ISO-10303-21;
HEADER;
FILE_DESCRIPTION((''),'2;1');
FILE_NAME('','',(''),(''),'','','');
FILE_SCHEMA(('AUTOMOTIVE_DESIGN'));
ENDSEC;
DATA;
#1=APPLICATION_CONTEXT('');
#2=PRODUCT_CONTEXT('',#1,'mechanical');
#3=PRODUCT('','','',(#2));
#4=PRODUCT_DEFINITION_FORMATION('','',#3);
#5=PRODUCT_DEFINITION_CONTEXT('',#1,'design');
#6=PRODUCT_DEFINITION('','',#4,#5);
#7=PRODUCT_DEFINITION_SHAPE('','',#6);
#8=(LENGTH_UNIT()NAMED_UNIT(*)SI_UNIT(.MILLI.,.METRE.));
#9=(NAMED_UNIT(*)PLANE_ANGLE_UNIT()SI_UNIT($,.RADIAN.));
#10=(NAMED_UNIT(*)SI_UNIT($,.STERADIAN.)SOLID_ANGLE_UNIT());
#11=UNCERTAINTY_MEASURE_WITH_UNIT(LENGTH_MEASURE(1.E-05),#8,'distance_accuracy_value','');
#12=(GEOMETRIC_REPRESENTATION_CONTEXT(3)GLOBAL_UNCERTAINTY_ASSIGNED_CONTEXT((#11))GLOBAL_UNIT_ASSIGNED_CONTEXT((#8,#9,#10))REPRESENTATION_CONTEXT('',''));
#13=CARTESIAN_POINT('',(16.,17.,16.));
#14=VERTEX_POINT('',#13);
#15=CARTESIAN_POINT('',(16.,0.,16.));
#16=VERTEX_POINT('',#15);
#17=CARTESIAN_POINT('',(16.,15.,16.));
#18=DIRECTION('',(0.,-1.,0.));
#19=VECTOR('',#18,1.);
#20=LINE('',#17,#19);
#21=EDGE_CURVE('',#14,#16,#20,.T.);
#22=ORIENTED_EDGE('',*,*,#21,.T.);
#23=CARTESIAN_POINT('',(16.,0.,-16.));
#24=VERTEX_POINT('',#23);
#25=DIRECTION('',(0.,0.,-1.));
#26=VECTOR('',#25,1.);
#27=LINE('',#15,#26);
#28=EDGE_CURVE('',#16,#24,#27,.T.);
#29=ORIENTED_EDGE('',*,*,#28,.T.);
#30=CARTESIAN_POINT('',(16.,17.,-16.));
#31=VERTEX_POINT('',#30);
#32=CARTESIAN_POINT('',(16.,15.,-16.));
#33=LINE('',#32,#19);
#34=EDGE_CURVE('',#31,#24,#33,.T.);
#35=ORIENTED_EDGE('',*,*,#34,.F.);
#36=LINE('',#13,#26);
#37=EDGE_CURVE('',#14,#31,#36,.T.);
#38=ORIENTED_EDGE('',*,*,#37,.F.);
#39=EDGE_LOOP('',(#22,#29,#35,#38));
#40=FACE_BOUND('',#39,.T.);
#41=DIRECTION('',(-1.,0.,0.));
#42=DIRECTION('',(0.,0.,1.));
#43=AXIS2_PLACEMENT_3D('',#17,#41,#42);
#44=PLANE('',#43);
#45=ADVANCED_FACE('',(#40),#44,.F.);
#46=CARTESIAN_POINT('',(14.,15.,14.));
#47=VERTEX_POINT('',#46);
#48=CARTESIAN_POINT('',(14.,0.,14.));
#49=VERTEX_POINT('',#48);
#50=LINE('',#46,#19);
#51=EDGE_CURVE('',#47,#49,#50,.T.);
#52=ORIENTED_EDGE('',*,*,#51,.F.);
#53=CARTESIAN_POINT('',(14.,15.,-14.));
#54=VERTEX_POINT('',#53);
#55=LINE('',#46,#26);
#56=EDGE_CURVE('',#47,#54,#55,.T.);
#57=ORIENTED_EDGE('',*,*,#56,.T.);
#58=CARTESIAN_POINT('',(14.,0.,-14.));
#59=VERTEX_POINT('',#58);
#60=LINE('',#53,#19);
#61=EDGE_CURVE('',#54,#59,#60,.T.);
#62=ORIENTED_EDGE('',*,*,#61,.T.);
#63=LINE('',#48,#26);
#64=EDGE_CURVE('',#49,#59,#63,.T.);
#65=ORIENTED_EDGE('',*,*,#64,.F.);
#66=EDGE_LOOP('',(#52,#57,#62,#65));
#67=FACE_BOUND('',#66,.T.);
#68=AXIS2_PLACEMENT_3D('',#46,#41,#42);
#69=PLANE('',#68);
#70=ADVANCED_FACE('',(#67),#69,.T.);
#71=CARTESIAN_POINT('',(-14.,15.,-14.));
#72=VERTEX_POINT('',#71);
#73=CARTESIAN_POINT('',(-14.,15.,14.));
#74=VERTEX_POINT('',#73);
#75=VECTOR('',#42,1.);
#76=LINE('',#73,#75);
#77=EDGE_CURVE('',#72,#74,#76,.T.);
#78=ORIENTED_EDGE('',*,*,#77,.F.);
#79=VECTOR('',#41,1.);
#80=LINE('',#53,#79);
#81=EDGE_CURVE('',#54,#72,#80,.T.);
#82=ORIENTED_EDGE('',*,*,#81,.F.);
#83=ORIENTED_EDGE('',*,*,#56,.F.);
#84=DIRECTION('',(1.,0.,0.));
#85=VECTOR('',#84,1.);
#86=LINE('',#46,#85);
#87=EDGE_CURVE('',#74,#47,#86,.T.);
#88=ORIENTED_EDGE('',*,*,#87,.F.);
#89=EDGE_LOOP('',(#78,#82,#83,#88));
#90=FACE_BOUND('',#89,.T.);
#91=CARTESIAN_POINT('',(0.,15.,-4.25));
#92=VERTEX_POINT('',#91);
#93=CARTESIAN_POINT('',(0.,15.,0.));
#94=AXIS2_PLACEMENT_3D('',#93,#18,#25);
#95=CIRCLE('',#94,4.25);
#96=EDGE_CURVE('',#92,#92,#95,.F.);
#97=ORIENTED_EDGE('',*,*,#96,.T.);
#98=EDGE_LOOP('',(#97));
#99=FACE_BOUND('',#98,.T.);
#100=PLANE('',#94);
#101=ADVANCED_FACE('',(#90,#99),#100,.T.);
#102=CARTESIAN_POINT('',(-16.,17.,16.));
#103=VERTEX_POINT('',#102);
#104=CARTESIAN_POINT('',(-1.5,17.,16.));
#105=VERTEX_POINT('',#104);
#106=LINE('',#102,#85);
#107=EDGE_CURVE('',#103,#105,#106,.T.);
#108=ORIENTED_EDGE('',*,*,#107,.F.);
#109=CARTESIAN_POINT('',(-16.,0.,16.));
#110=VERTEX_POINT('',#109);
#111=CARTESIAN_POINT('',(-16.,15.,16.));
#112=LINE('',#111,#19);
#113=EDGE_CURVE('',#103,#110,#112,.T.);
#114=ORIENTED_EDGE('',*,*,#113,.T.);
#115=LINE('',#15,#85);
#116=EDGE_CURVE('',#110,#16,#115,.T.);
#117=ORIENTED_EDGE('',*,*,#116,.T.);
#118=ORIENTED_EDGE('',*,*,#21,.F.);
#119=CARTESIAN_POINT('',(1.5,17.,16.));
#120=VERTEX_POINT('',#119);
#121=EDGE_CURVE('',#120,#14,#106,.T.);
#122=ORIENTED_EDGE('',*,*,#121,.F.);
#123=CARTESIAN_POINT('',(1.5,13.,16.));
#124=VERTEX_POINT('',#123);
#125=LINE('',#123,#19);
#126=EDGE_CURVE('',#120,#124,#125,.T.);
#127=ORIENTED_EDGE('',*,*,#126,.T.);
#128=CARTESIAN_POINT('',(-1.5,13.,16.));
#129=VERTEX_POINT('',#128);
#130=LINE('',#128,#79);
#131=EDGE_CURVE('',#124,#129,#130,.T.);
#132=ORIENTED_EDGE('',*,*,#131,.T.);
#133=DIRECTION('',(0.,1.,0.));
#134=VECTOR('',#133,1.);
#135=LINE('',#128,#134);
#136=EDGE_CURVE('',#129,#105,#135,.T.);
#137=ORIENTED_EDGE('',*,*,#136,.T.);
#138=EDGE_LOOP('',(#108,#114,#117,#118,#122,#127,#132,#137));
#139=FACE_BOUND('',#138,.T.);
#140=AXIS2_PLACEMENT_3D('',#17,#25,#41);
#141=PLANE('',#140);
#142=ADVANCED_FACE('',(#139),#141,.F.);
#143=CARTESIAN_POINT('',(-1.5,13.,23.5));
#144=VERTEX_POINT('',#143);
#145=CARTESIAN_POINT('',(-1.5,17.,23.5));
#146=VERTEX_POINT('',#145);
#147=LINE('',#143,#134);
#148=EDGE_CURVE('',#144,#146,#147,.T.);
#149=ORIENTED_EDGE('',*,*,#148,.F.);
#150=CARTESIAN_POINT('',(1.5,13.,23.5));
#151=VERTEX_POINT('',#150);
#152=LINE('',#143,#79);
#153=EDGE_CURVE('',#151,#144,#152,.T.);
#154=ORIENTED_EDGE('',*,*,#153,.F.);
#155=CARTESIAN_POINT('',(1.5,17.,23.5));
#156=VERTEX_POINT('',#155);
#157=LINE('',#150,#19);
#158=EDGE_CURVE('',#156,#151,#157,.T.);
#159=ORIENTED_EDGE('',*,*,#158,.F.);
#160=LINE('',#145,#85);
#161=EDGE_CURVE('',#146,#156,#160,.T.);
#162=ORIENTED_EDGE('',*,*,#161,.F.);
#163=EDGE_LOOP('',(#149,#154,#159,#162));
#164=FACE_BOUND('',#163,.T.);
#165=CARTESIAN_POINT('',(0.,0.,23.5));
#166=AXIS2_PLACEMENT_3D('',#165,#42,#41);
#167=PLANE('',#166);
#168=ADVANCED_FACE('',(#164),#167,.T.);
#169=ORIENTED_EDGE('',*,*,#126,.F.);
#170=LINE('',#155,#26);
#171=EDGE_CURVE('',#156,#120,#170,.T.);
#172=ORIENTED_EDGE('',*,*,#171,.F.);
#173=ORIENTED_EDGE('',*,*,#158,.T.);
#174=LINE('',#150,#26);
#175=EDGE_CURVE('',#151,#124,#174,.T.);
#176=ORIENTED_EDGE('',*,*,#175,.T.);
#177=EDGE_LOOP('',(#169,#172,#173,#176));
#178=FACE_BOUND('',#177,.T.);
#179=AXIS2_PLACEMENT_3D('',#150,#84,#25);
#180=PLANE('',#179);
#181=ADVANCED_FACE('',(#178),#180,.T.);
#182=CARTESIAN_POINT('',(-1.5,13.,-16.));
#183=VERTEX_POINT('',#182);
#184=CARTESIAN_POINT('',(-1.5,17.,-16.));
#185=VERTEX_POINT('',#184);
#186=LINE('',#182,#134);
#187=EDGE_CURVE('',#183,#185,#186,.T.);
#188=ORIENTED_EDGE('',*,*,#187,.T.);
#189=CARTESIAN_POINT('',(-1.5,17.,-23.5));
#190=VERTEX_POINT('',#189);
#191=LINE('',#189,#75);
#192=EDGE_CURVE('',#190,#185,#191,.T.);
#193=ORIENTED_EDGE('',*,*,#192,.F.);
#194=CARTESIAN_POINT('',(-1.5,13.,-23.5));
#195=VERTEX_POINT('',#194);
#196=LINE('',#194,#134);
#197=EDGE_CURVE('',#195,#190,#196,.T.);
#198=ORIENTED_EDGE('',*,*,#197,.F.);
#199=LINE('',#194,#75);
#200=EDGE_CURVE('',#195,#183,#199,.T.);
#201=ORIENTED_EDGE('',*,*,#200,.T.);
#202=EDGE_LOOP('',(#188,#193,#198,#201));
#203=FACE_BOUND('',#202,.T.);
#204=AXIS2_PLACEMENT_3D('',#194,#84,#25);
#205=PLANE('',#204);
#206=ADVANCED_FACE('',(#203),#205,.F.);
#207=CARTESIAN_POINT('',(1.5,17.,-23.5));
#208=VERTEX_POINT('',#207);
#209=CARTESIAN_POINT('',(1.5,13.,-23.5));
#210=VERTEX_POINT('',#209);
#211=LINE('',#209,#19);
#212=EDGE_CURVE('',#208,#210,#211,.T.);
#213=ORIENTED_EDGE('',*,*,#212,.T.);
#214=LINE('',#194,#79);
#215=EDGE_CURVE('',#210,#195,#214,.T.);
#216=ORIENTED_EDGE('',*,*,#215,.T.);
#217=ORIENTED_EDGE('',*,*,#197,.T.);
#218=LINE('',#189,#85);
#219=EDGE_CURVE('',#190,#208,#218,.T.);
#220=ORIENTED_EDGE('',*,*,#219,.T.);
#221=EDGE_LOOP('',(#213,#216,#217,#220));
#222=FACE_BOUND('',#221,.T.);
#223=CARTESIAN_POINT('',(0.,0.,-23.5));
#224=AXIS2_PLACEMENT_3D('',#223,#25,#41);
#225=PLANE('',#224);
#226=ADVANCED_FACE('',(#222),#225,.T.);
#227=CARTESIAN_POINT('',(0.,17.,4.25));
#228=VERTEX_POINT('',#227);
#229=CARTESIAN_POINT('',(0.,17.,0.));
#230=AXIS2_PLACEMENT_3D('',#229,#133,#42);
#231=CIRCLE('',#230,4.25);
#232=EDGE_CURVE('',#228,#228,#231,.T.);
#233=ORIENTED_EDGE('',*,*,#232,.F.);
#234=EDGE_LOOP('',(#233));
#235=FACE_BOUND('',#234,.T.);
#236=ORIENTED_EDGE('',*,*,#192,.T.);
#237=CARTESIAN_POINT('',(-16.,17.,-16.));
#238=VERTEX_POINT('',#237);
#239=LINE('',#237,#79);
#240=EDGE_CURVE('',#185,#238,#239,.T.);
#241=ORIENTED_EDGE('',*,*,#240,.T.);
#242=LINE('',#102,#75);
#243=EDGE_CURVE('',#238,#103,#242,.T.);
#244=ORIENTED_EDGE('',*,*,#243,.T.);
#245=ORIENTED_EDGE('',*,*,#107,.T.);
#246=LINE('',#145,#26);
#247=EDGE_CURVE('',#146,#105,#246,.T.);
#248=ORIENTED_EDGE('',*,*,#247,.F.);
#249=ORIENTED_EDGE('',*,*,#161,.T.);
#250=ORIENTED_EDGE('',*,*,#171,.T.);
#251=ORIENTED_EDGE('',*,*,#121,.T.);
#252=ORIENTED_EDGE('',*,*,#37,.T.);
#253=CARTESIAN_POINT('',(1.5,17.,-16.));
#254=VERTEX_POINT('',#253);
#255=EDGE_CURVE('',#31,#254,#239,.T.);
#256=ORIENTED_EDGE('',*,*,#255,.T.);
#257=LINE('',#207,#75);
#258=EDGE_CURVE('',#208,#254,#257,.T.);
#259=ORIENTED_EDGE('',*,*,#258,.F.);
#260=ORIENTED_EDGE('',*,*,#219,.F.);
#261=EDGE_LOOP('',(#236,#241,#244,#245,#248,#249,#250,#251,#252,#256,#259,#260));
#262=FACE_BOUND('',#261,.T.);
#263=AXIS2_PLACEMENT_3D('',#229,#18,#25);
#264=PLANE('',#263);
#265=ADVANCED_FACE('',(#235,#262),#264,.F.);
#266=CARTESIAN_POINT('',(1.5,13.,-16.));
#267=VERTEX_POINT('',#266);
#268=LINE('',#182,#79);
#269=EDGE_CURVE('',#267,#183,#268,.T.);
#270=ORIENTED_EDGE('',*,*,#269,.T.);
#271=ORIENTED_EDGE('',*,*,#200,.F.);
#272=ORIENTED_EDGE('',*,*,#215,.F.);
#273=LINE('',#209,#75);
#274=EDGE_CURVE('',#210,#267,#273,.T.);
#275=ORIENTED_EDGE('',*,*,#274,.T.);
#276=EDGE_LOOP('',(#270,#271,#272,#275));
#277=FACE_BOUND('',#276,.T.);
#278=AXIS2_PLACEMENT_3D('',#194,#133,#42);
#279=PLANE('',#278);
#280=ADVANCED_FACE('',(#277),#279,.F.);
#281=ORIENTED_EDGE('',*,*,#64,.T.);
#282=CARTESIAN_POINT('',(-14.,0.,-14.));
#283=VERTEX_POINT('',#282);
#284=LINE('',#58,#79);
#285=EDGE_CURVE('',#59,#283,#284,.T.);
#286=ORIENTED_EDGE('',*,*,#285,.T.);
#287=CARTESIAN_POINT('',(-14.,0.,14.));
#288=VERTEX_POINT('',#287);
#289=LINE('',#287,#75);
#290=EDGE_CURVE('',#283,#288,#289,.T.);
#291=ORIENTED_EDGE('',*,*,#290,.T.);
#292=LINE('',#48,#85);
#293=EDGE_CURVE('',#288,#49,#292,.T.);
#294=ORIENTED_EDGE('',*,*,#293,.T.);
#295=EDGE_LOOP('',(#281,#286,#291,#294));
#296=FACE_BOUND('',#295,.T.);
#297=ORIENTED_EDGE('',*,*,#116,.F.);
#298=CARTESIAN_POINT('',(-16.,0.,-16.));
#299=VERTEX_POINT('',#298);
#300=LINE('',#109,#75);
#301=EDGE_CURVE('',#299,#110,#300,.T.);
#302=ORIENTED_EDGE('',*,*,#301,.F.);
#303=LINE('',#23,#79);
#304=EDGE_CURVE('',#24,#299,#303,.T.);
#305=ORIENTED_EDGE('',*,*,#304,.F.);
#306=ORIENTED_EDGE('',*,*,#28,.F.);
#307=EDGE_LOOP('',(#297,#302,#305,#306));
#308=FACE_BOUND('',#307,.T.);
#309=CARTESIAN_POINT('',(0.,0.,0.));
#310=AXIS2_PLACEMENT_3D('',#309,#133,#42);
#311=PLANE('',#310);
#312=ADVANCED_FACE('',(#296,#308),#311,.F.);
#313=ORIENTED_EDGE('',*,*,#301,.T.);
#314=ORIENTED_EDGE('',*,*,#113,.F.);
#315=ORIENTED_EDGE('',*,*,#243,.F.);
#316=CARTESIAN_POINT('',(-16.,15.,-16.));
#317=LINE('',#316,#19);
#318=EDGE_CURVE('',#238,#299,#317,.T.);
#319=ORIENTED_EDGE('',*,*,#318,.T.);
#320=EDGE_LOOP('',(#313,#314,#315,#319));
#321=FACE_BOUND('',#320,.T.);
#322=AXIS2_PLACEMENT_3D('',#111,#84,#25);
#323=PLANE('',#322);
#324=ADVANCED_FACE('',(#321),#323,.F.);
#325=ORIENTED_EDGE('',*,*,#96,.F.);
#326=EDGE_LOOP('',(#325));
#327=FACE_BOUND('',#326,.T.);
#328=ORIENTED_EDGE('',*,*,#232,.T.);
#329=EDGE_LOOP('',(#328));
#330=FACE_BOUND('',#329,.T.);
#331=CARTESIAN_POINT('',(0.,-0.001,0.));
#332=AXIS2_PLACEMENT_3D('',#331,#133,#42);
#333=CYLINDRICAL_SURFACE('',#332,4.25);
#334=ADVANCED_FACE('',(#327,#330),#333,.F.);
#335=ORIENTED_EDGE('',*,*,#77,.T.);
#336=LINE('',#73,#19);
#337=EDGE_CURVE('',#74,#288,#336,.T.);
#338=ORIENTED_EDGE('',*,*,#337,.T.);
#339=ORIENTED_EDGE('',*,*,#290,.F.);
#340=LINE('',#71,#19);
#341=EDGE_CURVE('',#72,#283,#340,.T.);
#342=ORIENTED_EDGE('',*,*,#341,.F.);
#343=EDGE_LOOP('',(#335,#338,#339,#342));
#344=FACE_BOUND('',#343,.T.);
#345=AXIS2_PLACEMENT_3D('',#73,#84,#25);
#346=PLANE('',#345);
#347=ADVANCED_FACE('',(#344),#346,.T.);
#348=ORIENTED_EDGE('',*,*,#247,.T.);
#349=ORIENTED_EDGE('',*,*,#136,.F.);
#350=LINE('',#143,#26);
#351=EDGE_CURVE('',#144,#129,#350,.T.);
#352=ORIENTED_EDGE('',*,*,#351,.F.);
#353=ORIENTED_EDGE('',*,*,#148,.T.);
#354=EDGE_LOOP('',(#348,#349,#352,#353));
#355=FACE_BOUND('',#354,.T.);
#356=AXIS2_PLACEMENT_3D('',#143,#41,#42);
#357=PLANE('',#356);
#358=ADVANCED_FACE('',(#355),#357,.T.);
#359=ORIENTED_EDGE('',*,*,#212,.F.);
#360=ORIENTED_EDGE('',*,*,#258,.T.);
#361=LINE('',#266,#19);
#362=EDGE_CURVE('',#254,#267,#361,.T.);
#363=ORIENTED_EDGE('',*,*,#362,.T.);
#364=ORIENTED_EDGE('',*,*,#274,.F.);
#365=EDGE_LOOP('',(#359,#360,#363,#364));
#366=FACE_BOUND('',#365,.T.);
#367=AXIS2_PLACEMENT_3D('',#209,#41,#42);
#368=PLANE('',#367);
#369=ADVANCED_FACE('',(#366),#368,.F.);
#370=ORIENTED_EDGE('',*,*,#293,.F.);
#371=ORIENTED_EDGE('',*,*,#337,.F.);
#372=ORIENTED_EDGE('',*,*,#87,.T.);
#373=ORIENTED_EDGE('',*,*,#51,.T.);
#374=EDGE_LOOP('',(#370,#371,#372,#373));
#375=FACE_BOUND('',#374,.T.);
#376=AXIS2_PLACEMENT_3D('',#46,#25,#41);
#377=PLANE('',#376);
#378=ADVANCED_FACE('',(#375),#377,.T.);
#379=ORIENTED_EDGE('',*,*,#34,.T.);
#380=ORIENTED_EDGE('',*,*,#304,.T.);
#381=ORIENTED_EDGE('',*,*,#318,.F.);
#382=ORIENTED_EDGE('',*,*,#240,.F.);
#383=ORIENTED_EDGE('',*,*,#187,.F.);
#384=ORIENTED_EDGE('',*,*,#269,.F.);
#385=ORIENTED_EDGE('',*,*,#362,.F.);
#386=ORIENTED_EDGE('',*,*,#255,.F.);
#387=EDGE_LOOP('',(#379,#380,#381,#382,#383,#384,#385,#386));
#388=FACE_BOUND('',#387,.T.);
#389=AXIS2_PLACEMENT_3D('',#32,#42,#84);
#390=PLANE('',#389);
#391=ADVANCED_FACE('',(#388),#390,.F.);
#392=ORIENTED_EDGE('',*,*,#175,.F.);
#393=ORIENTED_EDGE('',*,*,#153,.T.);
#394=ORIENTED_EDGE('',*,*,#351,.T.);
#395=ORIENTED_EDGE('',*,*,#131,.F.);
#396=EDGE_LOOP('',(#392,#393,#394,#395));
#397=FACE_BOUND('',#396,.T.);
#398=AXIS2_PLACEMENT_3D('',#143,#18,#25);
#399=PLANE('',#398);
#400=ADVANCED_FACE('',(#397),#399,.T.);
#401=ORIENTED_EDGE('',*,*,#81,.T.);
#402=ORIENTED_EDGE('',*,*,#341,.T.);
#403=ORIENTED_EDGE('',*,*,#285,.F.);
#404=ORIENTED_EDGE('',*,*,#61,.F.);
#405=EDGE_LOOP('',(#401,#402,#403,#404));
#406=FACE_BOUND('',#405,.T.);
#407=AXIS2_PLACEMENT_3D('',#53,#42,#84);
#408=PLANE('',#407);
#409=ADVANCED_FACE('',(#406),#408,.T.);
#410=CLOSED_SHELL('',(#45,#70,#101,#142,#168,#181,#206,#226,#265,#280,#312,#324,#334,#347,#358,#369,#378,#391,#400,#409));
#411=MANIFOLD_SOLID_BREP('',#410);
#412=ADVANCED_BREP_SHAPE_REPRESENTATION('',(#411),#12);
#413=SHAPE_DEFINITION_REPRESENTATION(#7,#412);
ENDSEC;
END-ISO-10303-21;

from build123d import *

# Parameters (mm, degrees)
SKETCH1_W           = 32
SKETCH1_H           = 32
SKETCH1_W_2         = 28
SKETCH1_H_2         = 28
BOSS_EXTRUDE1_DEPTH = 15
SKETCH2_W           = 32
SKETCH2_H           = 32
BOSS_EXTRUDE2_DEPTH = 2
CUT_EXTRUDE1_REACH  = 19
SKETCH3_R           = 4.25
SKETCH5_W           = 3
SKETCH5_H           = 4
BOSS_EXTRUDE3_DEPTH = 7.5


with BuildPart() as part:
    # Sketch1 → Boss-Extrude1 (new body)
    with BuildSketch(Plane(origin=(0, 0, 0), x_dir=(1, 0, 0), z_dir=(0, 1, 0))):
        Rectangle(SKETCH1_W, SKETCH1_H)
        Rectangle(SKETCH1_W_2, SKETCH1_H_2, mode=Mode.SUBTRACT)
    extrude(amount=BOSS_EXTRUDE1_DEPTH)

    # Sketch2 → Boss-Extrude2 (add)
    with BuildSketch(Plane(origin=(0, 15, 0), x_dir=(1, 0, 0), z_dir=(0, 1, 0))):
        Rectangle(SKETCH2_W, SKETCH2_H)
    extrude(amount=BOSS_EXTRUDE2_DEPTH)

    # Sketch3 → Cut-Extrude1 (cut, up to next)
    with BuildSketch(Plane(origin=(0, 17, 0), x_dir=(1, 0, 0), z_dir=(0, 1, 0)), mode=Mode.PRIVATE) as cut_extrude1_sk1:
        Circle(SKETCH3_R)
    cut_extrude1_tool1 = extrude(cut_extrude1_sk1.sketch, amount=-CUT_EXTRUDE1_REACH, mode=Mode.PRIVATE) & part.part
    add(cut_extrude1_tool1.solids().sort_by_distance((0, 17, 0))[0], mode=Mode.SUBTRACT)

    # Sketch5 → Boss-Extrude3 (add)
    with BuildSketch(Plane(origin=(0, 0, -16), x_dir=(-1, 0, 0), z_dir=(0, 0, -1))):
        with Locations((0, 15)):
            Rectangle(SKETCH5_W, SKETCH5_H)
    boss_extrude3 = extrude(amount=BOSS_EXTRUDE3_DEPTH)

    # Mirror1: Boss-Extrude3 across plane
    add(boss_extrude3.mirror(Plane.XY))


solid = part.part
